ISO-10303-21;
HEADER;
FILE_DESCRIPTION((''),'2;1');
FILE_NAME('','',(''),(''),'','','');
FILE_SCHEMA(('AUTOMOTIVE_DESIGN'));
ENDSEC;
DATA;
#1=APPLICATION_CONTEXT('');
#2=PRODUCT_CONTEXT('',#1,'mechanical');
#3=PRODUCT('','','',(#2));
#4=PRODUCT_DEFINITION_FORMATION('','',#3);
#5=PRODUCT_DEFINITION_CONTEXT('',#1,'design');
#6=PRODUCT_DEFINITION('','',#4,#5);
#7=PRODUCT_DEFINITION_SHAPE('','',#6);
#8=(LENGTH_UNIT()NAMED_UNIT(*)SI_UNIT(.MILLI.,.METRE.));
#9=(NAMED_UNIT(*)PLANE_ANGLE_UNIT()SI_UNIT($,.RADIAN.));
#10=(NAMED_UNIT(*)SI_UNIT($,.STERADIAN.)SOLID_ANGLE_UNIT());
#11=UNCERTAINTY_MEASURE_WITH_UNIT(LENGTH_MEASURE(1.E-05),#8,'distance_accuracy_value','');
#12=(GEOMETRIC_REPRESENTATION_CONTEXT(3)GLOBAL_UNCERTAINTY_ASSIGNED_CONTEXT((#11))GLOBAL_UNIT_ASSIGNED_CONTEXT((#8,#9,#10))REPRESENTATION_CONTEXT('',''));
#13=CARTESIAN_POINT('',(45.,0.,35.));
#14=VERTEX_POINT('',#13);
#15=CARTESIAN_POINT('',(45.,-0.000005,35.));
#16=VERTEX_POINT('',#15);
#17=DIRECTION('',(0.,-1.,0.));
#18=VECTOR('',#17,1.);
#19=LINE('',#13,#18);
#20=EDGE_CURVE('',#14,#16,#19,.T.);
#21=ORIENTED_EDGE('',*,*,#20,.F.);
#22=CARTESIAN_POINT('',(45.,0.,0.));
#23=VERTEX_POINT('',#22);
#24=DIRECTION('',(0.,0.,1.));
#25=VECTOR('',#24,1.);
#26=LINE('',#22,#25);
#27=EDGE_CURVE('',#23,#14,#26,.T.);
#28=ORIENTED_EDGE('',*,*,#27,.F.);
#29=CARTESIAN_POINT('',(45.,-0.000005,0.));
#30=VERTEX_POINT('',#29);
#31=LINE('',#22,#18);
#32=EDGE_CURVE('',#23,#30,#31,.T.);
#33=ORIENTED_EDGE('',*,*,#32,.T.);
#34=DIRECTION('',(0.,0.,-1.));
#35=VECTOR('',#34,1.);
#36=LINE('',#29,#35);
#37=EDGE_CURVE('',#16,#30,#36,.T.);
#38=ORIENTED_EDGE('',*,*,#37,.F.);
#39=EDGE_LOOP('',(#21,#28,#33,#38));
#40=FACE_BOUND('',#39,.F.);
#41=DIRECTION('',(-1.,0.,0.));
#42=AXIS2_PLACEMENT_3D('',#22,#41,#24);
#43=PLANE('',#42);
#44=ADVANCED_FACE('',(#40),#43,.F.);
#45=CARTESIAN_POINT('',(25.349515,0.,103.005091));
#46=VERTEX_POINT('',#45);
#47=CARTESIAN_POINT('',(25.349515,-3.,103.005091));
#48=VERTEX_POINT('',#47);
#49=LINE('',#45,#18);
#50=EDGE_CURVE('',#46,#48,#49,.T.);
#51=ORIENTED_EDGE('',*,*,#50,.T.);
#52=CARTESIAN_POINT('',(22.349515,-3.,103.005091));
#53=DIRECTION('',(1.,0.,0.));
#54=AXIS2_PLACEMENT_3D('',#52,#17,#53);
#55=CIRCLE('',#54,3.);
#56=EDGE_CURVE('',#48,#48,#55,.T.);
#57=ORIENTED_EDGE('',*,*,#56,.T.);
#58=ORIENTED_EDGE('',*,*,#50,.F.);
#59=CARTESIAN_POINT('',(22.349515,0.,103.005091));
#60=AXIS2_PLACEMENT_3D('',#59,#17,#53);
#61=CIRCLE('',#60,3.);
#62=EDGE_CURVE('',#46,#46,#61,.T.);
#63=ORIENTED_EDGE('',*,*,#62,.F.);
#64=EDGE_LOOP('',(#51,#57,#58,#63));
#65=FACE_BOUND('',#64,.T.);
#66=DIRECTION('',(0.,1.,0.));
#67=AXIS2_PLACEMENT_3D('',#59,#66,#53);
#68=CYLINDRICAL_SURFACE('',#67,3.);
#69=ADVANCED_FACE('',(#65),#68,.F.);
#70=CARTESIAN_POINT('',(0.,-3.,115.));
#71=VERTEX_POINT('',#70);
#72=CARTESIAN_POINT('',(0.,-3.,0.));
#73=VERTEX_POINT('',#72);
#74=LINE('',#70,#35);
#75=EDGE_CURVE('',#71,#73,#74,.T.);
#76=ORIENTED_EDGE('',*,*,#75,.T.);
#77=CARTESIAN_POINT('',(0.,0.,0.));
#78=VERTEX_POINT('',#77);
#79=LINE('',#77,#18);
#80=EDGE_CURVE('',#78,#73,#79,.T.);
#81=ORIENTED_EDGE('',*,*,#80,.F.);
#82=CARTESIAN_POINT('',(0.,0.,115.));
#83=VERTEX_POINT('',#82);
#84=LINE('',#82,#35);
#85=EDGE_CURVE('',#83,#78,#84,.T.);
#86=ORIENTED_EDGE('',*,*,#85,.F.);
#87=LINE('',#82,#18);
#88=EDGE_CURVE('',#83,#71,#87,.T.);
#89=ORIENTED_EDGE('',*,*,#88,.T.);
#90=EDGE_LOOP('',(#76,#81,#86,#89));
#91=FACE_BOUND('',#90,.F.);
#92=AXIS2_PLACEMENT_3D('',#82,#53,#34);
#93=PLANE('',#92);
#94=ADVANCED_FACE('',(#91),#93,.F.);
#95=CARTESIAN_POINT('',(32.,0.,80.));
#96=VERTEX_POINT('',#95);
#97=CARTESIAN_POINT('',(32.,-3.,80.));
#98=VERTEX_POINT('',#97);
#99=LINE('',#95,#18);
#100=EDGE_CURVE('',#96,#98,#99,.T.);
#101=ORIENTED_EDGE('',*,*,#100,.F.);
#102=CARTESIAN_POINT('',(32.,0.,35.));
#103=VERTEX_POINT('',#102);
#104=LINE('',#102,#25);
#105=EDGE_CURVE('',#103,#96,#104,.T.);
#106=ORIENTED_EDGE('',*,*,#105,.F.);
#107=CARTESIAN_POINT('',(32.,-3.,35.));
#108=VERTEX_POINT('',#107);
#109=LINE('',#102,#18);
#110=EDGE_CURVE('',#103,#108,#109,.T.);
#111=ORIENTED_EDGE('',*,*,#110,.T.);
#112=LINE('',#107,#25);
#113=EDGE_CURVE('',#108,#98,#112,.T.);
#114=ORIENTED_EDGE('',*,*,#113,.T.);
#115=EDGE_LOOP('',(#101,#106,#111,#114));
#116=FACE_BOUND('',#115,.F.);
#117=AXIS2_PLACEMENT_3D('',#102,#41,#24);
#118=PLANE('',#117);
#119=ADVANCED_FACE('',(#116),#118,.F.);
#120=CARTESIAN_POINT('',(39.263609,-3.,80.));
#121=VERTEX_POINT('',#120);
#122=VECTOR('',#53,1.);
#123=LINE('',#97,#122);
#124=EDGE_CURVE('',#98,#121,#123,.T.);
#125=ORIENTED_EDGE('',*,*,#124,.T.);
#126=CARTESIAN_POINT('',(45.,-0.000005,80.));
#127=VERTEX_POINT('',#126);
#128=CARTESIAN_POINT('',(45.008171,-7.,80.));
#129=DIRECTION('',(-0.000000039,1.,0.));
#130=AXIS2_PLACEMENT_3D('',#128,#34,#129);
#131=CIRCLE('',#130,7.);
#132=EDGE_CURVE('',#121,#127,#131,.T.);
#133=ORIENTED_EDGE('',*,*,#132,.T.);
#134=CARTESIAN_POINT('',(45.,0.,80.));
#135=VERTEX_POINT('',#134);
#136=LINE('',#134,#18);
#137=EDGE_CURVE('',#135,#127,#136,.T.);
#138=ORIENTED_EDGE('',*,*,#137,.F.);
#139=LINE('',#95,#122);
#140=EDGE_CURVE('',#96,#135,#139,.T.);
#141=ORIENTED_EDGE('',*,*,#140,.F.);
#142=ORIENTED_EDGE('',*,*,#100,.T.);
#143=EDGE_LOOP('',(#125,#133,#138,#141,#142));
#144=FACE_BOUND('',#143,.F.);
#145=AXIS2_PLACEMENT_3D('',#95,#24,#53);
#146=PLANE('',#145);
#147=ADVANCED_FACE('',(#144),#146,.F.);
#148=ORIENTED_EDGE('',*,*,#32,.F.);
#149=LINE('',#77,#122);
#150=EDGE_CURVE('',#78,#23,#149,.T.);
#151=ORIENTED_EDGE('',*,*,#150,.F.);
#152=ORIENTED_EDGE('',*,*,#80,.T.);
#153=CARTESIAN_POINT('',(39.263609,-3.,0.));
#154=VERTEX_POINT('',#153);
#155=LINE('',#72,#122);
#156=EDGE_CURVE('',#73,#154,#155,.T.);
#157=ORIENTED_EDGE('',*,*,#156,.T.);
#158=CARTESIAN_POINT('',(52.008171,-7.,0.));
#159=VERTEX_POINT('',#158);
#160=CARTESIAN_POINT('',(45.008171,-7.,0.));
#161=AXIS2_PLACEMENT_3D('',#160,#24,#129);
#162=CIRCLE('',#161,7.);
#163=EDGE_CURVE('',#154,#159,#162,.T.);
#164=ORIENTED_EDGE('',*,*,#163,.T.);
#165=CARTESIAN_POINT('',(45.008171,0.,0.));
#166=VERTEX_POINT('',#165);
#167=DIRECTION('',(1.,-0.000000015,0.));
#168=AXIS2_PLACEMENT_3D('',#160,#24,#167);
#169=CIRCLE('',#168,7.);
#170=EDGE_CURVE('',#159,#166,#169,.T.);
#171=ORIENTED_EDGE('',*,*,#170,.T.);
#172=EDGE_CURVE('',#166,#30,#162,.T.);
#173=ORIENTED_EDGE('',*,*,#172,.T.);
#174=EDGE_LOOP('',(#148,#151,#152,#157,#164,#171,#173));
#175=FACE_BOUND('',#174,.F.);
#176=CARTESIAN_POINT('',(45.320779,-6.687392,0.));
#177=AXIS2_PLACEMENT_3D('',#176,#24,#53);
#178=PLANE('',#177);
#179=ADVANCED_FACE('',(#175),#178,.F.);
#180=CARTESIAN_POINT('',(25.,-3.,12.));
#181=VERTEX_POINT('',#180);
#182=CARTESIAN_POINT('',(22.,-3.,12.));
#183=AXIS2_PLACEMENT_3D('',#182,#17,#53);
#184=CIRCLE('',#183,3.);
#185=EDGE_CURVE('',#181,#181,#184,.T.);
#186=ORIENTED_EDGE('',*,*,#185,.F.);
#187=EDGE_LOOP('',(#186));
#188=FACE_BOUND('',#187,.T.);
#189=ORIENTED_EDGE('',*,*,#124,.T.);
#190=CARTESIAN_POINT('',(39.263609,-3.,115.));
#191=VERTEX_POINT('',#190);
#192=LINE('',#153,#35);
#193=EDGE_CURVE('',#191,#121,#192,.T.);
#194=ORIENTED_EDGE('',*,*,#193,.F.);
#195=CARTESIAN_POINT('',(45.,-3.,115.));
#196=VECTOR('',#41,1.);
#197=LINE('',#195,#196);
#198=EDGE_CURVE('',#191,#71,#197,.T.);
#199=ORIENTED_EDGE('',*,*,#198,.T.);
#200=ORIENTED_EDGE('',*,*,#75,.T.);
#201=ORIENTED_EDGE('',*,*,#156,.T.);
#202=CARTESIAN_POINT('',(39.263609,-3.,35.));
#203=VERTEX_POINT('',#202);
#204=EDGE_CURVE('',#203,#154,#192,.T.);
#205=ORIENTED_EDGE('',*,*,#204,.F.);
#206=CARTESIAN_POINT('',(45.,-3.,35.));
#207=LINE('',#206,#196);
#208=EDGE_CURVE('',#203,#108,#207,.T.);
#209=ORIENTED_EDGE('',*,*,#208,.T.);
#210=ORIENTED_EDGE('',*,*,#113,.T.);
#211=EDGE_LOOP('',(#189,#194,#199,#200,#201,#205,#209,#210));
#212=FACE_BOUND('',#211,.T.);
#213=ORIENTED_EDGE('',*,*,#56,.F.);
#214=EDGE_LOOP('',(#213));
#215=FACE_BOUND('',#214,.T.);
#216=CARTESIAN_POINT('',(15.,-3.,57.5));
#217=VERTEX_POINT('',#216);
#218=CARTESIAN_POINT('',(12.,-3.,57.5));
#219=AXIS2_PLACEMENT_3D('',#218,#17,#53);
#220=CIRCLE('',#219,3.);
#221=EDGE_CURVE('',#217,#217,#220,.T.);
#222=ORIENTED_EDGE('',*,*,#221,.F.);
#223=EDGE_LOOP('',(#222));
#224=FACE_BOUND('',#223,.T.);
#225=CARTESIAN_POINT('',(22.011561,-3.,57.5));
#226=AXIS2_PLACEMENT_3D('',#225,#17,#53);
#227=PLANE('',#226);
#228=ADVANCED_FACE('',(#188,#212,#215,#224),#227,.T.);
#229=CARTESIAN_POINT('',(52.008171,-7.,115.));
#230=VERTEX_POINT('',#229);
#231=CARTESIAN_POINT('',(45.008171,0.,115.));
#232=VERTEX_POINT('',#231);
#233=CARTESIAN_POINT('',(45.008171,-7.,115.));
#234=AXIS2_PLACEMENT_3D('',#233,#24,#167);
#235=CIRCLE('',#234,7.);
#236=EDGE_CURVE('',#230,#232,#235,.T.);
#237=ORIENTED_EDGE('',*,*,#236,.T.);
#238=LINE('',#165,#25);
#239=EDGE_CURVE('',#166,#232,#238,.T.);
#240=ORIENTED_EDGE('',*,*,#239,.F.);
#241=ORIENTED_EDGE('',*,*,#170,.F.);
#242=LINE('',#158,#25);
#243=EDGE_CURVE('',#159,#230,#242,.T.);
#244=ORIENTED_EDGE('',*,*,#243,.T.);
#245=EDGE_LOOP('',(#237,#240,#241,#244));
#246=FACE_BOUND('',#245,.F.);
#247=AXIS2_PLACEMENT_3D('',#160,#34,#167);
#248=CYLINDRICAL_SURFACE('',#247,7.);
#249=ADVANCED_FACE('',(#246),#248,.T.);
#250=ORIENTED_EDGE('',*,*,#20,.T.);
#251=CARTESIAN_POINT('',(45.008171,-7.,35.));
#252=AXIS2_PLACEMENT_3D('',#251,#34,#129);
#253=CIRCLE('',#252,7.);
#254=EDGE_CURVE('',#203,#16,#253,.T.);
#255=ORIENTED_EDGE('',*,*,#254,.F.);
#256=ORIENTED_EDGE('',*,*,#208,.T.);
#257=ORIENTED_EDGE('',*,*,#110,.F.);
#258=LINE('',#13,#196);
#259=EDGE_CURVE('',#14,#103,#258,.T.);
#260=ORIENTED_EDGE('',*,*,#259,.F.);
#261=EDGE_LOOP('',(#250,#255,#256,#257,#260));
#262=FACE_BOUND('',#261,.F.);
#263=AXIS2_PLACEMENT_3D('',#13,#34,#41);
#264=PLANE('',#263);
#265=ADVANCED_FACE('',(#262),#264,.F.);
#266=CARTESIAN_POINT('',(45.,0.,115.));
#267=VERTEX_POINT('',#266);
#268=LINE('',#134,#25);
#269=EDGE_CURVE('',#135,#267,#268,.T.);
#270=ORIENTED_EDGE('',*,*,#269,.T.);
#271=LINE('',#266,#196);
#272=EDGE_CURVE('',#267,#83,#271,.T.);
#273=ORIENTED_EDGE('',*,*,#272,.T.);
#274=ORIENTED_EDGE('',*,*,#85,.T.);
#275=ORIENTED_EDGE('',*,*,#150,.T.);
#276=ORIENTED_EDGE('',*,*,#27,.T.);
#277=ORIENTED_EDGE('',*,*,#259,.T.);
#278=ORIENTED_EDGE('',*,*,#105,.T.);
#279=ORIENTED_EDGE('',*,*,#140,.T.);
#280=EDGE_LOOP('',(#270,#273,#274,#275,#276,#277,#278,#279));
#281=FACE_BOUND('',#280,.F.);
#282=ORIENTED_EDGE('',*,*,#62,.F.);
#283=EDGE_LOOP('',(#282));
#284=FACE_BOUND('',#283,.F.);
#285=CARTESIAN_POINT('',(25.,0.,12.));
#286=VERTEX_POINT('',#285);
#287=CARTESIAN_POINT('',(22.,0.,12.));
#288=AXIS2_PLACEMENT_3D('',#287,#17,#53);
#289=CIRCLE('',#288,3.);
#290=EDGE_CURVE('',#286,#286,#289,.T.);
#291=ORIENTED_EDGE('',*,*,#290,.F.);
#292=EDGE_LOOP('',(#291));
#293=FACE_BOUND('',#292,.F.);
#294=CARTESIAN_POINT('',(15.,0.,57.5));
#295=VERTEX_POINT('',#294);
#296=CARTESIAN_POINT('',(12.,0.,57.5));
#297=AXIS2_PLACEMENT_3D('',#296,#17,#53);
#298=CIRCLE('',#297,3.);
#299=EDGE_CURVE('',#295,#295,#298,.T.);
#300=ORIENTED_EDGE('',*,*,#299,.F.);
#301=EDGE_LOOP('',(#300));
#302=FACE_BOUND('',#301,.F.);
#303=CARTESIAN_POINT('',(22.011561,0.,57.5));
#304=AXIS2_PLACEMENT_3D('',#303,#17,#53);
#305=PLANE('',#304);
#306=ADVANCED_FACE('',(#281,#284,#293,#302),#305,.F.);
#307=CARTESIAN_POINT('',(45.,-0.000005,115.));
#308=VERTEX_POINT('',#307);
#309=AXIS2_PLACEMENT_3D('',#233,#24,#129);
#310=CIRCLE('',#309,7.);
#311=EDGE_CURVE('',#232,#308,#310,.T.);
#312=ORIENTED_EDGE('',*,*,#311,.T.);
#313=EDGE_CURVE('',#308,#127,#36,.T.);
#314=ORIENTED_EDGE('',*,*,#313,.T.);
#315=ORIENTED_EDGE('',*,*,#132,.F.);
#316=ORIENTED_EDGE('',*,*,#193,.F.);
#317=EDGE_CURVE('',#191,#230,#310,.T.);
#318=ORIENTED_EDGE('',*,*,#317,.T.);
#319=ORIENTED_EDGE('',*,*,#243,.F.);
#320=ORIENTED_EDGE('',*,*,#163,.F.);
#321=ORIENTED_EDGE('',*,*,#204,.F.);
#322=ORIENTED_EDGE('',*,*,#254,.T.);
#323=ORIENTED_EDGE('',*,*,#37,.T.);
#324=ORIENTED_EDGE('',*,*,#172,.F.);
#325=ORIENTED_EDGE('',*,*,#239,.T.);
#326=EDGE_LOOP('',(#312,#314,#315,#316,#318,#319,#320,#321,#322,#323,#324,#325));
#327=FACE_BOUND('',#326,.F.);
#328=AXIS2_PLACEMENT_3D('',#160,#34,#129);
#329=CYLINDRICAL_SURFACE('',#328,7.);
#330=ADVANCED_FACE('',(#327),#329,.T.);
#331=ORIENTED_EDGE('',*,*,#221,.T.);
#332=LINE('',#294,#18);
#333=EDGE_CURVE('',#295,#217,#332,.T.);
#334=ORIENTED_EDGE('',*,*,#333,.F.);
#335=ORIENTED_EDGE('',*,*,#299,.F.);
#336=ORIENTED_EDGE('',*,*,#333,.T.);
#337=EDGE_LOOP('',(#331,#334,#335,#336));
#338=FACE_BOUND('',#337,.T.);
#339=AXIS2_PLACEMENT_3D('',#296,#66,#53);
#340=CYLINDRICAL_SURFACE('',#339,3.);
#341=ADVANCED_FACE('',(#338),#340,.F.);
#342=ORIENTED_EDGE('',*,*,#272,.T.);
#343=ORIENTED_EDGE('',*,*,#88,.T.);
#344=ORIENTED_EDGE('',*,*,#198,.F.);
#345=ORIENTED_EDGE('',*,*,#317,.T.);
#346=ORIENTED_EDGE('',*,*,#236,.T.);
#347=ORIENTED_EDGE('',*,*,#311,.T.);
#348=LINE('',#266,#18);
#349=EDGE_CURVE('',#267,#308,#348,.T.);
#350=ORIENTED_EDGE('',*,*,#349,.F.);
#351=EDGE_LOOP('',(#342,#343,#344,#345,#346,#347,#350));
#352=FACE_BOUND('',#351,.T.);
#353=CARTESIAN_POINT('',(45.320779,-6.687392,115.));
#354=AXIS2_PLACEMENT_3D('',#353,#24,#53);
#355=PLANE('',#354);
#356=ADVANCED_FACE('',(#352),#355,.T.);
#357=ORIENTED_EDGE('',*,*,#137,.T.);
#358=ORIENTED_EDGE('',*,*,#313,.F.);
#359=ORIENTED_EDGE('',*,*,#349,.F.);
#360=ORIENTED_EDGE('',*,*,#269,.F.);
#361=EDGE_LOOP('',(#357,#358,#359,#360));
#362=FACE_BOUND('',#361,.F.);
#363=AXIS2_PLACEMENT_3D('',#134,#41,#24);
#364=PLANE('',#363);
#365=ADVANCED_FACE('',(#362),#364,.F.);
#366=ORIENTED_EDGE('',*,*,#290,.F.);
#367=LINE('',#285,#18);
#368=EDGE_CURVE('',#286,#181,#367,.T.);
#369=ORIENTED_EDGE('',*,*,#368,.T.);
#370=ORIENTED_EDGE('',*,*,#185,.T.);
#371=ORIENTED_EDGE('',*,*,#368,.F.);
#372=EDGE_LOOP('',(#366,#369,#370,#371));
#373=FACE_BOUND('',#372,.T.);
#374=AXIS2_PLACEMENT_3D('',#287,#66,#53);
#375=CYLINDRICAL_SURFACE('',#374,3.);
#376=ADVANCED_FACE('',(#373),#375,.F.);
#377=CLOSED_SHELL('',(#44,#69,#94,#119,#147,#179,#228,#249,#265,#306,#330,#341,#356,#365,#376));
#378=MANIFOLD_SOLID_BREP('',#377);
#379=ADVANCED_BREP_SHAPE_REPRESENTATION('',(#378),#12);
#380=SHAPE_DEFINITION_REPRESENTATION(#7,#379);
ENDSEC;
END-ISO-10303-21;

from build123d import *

# Parameters (mm, degrees)
F0_R     = 3
F1_DEPTH = 3
F3_DEPTH = 115


with BuildPart() as f1:
    # F0 (on Front) → F1 (new body)
    with BuildSketch(Plane.XZ):
        Polygon((0, 115), (0, 0), (45, 0), (45, 35), (32, 35), (32, 80), (45, 80), (45, 115), align=None)
        with Locations((22, 12)):
            Circle(F0_R, mode=Mode.SUBTRACT)
        with Locations((12, 57.5)):
            Circle(F0_R, mode=Mode.SUBTRACT)
        with Locations((22.349515, 103.005091)):
            Circle(F0_R, mode=Mode.SUBTRACT)
    extrude(amount=F1_DEPTH)

    # F2 (on Top) → F3 (join)
    with BuildSketch(Plane.XY):
        with BuildLine():
            ThreePointArc((45.008171, 0), (40.058424, -11.949747), (52.008171, -7))
            ThreePointArc((52.008171, -7), (49.957919, -2.050253), (45.008171, 0))
        make_face()
    extrude(amount=F3_DEPTH)


solid = f1.part
